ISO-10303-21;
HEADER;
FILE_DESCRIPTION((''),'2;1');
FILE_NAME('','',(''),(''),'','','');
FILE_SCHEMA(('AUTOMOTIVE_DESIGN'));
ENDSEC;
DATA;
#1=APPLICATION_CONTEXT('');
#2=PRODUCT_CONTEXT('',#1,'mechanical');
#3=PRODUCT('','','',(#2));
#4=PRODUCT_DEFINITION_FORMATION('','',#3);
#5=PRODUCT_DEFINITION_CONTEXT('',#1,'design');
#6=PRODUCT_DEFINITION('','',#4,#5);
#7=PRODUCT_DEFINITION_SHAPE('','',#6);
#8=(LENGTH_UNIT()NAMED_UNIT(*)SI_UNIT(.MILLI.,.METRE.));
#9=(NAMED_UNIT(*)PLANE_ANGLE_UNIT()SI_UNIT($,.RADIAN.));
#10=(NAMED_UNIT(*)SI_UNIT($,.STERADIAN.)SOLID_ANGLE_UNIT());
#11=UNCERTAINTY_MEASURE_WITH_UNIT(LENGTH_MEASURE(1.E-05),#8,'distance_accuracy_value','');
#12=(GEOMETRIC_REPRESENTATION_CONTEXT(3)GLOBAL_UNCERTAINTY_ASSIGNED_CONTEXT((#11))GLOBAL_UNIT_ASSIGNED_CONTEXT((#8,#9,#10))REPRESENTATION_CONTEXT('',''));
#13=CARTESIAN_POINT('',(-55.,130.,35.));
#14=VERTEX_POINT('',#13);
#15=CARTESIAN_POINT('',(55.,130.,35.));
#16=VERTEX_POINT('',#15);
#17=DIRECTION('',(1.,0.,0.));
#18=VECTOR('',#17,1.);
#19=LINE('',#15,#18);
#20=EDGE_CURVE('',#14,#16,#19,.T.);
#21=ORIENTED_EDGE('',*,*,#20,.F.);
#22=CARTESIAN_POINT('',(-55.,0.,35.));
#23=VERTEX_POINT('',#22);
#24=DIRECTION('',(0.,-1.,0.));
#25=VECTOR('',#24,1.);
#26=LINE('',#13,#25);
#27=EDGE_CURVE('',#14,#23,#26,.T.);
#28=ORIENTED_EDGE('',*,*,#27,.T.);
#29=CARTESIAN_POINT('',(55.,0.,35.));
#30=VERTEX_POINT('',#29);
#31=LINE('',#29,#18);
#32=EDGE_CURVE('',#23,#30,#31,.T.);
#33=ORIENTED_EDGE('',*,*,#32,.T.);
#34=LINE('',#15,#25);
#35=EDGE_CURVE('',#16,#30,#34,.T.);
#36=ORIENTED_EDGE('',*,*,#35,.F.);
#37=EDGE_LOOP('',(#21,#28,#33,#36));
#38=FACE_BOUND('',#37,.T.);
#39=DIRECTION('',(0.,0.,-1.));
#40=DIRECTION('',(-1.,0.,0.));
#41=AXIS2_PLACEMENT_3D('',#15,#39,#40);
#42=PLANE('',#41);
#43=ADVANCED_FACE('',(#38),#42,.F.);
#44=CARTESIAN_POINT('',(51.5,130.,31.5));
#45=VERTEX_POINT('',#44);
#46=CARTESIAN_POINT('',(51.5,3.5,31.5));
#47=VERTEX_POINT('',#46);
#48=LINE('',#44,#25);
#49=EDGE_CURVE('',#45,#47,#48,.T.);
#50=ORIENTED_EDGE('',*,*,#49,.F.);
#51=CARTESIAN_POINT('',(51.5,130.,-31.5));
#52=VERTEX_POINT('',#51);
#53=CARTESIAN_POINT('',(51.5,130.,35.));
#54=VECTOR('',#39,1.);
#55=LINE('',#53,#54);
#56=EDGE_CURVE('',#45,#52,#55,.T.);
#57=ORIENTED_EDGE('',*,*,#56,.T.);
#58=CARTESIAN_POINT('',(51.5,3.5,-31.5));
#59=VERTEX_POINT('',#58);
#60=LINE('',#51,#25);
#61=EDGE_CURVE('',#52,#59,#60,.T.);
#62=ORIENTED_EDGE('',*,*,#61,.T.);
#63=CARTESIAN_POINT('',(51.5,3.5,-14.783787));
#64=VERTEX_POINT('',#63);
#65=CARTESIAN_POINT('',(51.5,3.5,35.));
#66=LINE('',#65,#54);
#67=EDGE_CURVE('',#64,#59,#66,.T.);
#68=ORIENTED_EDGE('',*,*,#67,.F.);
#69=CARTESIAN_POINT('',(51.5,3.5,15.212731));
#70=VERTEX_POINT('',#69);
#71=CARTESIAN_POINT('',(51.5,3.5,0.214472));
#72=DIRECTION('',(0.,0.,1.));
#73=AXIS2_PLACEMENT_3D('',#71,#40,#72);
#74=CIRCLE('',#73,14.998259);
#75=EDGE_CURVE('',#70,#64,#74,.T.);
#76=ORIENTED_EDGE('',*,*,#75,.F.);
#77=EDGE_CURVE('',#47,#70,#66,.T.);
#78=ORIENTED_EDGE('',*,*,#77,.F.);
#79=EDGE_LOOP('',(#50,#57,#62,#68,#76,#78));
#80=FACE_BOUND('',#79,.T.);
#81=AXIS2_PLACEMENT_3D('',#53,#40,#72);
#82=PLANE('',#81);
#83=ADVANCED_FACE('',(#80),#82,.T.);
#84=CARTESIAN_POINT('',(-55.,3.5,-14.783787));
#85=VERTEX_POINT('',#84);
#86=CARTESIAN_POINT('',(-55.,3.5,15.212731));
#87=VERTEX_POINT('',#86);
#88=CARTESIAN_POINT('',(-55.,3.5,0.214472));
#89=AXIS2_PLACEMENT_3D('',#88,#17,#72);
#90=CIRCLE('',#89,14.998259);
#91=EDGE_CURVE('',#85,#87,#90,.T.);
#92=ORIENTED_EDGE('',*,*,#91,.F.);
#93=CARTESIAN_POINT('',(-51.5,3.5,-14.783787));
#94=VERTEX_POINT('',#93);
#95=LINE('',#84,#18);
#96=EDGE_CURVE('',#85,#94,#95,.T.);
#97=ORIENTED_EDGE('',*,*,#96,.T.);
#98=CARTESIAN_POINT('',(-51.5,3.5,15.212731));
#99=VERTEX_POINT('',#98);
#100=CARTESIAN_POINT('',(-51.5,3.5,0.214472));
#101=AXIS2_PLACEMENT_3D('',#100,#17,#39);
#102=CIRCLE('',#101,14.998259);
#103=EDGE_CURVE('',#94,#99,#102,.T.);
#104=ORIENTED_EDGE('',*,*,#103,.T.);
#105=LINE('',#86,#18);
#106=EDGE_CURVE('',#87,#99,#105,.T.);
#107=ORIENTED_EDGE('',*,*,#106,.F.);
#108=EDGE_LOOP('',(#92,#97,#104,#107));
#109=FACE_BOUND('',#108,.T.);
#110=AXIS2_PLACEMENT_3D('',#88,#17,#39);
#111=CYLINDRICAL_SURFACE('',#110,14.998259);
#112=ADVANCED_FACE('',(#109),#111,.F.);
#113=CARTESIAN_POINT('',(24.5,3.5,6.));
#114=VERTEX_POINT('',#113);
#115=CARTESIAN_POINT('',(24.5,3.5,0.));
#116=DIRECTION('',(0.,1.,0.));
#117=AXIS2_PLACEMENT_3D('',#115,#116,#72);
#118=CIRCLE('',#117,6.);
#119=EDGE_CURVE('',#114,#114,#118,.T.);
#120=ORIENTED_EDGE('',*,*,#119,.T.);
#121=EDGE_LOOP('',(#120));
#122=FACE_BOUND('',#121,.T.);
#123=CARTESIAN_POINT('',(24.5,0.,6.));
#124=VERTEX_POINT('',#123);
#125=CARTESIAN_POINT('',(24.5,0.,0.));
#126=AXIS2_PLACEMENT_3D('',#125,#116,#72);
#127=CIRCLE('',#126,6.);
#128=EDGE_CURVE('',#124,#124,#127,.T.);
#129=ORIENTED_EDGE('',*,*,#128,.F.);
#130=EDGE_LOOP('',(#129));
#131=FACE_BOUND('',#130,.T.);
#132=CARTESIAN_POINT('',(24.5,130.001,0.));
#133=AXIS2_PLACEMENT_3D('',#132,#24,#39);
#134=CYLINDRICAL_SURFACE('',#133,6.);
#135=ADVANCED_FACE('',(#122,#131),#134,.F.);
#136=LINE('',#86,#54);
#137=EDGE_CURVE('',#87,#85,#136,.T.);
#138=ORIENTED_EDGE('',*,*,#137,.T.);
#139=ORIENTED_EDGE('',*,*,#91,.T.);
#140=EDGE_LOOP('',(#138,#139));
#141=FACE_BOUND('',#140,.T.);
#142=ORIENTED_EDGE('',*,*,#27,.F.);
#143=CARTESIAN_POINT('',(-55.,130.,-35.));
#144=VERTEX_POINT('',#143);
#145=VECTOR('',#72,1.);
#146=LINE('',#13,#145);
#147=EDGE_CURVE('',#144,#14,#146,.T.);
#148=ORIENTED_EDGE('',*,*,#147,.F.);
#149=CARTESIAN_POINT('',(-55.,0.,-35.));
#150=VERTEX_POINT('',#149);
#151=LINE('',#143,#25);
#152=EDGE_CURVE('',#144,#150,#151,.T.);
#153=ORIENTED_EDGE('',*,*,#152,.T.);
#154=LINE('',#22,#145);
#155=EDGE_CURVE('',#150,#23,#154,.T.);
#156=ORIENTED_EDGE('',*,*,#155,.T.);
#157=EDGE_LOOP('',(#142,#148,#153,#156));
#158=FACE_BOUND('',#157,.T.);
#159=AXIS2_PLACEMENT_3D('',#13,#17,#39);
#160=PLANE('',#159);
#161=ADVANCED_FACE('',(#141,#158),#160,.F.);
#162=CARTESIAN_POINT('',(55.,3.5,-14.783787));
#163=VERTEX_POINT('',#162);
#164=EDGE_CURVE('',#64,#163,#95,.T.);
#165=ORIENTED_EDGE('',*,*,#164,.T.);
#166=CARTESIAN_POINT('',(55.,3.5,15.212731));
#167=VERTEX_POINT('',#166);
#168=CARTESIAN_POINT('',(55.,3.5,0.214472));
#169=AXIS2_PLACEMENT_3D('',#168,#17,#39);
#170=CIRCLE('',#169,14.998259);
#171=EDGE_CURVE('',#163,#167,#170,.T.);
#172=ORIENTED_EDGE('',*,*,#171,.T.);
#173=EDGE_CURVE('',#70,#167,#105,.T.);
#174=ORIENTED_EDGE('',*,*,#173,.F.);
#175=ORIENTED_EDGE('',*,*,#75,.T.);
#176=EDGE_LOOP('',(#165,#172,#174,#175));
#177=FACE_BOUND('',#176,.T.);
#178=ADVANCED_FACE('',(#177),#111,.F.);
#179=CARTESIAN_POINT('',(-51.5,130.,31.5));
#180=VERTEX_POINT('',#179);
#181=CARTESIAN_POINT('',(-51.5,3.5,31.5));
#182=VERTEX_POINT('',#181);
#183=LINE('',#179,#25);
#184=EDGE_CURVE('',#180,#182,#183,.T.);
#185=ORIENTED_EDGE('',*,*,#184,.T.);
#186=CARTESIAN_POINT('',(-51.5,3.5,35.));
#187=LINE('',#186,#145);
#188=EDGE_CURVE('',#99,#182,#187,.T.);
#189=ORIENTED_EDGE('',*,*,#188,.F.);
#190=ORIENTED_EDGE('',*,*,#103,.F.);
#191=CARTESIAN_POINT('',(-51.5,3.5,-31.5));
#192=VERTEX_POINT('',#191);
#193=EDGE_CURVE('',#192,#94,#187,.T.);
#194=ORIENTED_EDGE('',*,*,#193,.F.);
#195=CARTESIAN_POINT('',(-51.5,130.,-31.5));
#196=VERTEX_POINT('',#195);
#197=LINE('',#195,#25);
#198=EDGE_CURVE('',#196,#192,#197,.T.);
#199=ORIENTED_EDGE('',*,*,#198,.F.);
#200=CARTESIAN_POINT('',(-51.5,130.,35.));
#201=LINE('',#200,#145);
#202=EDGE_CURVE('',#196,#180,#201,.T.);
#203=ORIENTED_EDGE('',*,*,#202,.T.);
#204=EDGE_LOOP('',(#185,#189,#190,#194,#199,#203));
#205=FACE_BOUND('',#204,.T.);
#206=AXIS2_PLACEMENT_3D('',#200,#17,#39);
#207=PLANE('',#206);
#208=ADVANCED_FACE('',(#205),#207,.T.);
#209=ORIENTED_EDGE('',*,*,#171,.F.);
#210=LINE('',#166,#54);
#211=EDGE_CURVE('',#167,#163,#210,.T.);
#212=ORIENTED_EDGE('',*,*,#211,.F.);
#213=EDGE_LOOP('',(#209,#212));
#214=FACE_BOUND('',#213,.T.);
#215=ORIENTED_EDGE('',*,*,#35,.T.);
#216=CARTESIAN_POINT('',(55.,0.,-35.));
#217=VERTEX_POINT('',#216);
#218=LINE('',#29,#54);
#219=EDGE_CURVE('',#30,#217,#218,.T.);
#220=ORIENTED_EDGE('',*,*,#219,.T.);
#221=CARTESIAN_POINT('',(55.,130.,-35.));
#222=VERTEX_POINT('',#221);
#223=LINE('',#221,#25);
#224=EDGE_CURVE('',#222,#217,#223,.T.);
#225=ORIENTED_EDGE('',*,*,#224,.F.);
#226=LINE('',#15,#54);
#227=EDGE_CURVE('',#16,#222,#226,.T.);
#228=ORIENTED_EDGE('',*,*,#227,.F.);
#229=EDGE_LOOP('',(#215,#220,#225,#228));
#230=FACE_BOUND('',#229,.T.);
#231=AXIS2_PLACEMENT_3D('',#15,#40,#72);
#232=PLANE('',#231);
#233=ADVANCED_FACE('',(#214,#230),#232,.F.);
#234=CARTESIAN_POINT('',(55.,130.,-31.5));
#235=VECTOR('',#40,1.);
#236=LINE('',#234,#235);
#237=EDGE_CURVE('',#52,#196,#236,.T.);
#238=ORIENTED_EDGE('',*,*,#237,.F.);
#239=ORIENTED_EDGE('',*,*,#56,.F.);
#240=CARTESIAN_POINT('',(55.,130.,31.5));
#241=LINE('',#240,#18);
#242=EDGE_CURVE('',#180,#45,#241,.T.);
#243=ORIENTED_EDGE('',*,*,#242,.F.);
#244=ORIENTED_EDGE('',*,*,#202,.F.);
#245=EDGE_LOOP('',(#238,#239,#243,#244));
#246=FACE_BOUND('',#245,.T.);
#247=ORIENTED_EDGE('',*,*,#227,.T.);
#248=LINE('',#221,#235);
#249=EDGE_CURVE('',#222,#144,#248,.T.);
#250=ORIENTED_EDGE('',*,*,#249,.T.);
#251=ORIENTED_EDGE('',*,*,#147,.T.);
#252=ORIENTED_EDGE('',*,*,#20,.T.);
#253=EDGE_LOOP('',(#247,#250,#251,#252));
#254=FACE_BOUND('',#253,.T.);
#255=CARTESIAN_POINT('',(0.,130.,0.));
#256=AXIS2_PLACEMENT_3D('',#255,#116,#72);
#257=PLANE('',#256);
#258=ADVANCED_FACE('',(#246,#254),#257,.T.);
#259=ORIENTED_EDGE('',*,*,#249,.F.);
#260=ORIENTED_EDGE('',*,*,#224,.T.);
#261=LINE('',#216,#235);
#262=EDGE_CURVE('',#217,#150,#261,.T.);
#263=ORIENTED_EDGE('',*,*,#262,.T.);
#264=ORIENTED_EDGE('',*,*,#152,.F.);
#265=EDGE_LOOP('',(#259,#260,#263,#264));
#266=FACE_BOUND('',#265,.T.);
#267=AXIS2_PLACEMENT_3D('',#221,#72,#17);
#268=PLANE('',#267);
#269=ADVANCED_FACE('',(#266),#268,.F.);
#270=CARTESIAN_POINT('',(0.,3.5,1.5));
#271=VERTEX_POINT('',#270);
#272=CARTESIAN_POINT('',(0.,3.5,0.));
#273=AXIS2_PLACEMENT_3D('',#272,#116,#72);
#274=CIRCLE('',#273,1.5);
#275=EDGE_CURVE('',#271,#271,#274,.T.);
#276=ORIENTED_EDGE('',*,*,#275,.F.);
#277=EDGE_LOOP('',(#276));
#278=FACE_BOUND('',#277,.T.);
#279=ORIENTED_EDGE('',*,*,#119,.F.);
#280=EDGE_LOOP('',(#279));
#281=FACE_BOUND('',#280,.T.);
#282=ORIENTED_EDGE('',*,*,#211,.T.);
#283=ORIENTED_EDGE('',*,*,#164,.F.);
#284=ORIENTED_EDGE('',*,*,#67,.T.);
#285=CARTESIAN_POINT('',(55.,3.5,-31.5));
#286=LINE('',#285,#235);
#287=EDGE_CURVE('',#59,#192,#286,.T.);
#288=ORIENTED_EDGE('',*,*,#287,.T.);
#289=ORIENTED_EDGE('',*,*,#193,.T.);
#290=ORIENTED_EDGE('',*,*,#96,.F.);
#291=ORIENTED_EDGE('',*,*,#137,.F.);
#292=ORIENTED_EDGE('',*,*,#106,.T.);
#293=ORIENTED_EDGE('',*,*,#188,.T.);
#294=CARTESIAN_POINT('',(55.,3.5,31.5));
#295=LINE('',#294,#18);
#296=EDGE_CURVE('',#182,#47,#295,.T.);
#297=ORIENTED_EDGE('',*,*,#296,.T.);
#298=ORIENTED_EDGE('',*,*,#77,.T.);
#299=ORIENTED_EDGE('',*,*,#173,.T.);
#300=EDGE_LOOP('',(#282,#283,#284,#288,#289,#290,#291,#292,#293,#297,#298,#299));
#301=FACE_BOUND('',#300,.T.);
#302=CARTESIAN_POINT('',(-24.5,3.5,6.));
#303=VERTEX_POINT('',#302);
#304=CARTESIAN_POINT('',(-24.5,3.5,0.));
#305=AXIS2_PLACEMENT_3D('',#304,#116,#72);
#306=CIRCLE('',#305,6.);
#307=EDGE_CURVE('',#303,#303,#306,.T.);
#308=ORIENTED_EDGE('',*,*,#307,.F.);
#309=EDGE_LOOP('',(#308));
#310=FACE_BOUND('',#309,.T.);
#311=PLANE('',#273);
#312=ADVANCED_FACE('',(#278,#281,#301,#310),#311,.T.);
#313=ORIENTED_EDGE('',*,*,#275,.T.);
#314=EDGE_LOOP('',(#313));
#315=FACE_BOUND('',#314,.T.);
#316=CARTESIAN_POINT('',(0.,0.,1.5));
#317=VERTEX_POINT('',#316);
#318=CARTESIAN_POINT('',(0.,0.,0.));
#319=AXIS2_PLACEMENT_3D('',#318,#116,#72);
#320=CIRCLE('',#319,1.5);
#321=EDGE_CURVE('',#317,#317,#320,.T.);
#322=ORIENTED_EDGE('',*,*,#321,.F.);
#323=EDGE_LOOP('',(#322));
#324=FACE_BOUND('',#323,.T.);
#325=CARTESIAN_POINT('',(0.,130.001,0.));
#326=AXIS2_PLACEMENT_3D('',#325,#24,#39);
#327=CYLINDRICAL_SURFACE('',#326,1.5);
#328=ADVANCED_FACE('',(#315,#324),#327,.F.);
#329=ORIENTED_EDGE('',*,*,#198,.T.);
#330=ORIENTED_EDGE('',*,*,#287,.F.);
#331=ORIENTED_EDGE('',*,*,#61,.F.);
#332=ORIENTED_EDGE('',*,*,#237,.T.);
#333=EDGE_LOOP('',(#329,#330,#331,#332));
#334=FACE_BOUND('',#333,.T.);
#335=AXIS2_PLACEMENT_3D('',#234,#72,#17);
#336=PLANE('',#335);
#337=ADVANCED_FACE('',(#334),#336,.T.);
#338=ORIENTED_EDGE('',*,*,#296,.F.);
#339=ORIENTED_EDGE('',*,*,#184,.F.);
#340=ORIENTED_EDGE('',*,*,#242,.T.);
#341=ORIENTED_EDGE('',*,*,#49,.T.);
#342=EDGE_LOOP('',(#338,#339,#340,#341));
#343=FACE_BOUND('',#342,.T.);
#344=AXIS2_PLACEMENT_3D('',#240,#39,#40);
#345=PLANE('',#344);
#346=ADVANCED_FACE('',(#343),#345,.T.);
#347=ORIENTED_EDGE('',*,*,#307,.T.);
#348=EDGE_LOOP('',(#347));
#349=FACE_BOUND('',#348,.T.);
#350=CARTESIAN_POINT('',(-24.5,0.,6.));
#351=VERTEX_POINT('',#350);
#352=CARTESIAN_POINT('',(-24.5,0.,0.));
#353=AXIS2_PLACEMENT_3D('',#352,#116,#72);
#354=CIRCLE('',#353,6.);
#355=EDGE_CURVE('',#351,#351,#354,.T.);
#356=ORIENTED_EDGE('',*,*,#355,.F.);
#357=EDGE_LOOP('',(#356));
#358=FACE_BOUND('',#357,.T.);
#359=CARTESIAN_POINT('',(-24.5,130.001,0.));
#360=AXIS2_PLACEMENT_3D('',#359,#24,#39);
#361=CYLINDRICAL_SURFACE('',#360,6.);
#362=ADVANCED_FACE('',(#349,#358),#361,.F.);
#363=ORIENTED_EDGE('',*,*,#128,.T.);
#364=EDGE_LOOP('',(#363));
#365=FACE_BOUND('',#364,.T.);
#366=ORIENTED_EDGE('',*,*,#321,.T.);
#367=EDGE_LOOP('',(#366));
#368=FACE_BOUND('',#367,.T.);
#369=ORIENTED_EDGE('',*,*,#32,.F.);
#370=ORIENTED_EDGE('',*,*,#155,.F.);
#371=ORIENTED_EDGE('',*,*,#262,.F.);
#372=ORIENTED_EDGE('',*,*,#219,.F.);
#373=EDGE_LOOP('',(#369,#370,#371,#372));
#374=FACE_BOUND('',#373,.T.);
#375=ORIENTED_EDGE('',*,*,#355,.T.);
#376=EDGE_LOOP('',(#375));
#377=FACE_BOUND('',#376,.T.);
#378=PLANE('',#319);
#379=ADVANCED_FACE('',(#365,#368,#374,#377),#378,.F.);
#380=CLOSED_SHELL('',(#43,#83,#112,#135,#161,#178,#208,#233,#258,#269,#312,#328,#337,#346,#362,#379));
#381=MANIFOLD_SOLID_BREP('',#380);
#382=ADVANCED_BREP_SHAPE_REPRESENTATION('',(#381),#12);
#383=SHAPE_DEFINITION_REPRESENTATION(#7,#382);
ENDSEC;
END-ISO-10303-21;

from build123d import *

# Parameters (mm, degrees)
CROQUIS1_W                 = 110
CROQUIS1_H                 = 70
SALIENTE_EXTRUIR3_DEPTH    = 130
VACIADO4_T                 = -3.5
CORTAR_EXTRUIR4_REACH      = 147.43
CROQUIS2_R                 = 6
CROQUIS2_R_2               = 1.5
CORTAR_EXTRUIR8_DEPTH      = 174.853386507
CORTAR_EXTRUIR8_DEPTH_BACK = 174.853386507


with BuildPart() as part:
    # Croquis1 → Saliente-Extruir3 (new body)
    with BuildSketch(Plane(origin=(0, 0, 0), x_dir=(1, 0, 0), z_dir=(0, 1, 0))):
        Rectangle(CROQUIS1_W, CROQUIS1_H)
    extrude(amount=SALIENTE_EXTRUIR3_DEPTH)

    # Vaciado4
    vaciado4_openings = [part.faces().sort_by_distance(p)[0] for p in [
        (0, 130, 0),
    ]]
    offset(amount=VACIADO4_T, openings=vaciado4_openings, kind=Kind.INTERSECTION)

    # Croquis2 → Cortar-Extruir4 (cut, up to next)
    with BuildSketch(Plane(origin=(0, 0, 0), x_dir=(1, 0, 0), z_dir=(0, 1, 0)), mode=Mode.PRIVATE) as cortar_extruir4_sk1:
        with Locations(Location((-24.5, 0, 0), (0, 0, 270))):
            Circle(CROQUIS2_R)
    cortar_extruir4_tool1 = extrude(cortar_extruir4_sk1.sketch, amount=CORTAR_EXTRUIR4_REACH, mode=Mode.PRIVATE) & part.part
    # Croquis2 → Cortar-Extruir4 (cut, up to next)
    with BuildSketch(Plane(origin=(0, 0, 0), x_dir=(1, 0, 0), z_dir=(0, 1, 0)), mode=Mode.PRIVATE) as cortar_extruir4_sk2:
        with Locations(Location((24.5, 0, 0), (0, 0, 270))):
            Circle(CROQUIS2_R)
    cortar_extruir4_tool2 = extrude(cortar_extruir4_sk2.sketch, amount=CORTAR_EXTRUIR4_REACH, mode=Mode.PRIVATE) & part.part
    # Croquis2 → Cortar-Extruir4 (cut, up to next)
    with BuildSketch(Plane(origin=(0, 0, 0), x_dir=(1, 0, 0), z_dir=(0, 1, 0)), mode=Mode.PRIVATE) as cortar_extruir4_sk3:
        with Locations(Location((0, 0, 0), (0, 0, 270))):
            Circle(CROQUIS2_R_2)
    cortar_extruir4_tool3 = extrude(cortar_extruir4_sk3.sketch, amount=CORTAR_EXTRUIR4_REACH, mode=Mode.PRIVATE) & part.part
    add(cortar_extruir4_tool1.solids().sort_by_distance((-24.5, 0, 0))[0], mode=Mode.SUBTRACT)
    add(cortar_extruir4_tool2.solids().sort_by_distance((24.5, 0, 0))[0], mode=Mode.SUBTRACT)
    add(cortar_extruir4_tool3.solids().sort_by_distance((0, 0, 0))[0], mode=Mode.SUBTRACT)

    # Croquis3 → Cortar-Extruir8 (cut, two sides: drawn at the far end of the back side and taken through both)
    with BuildSketch(Plane(origin=(55, 0, 0), x_dir=(0, 0, -1), z_dir=(1, 0, 0)).offset(-CORTAR_EXTRUIR8_DEPTH_BACK)):
        with BuildLine():
            Line((-15.212730717, 3.5), (14.783786757, 3.5))
            ThreePointArc((14.783786757, 3.5), (10.390898479, 14.105370459), (-0.21447198, 18.498258737))
            ThreePointArc((-0.21447198, 18.498258737), (-10.819842439, 14.105370459), (-15.212730717, 3.5))
        make_face()
    extrude(amount=CORTAR_EXTRUIR8_DEPTH + CORTAR_EXTRUIR8_DEPTH_BACK, mode=Mode.SUBTRACT)


solid = part.part
